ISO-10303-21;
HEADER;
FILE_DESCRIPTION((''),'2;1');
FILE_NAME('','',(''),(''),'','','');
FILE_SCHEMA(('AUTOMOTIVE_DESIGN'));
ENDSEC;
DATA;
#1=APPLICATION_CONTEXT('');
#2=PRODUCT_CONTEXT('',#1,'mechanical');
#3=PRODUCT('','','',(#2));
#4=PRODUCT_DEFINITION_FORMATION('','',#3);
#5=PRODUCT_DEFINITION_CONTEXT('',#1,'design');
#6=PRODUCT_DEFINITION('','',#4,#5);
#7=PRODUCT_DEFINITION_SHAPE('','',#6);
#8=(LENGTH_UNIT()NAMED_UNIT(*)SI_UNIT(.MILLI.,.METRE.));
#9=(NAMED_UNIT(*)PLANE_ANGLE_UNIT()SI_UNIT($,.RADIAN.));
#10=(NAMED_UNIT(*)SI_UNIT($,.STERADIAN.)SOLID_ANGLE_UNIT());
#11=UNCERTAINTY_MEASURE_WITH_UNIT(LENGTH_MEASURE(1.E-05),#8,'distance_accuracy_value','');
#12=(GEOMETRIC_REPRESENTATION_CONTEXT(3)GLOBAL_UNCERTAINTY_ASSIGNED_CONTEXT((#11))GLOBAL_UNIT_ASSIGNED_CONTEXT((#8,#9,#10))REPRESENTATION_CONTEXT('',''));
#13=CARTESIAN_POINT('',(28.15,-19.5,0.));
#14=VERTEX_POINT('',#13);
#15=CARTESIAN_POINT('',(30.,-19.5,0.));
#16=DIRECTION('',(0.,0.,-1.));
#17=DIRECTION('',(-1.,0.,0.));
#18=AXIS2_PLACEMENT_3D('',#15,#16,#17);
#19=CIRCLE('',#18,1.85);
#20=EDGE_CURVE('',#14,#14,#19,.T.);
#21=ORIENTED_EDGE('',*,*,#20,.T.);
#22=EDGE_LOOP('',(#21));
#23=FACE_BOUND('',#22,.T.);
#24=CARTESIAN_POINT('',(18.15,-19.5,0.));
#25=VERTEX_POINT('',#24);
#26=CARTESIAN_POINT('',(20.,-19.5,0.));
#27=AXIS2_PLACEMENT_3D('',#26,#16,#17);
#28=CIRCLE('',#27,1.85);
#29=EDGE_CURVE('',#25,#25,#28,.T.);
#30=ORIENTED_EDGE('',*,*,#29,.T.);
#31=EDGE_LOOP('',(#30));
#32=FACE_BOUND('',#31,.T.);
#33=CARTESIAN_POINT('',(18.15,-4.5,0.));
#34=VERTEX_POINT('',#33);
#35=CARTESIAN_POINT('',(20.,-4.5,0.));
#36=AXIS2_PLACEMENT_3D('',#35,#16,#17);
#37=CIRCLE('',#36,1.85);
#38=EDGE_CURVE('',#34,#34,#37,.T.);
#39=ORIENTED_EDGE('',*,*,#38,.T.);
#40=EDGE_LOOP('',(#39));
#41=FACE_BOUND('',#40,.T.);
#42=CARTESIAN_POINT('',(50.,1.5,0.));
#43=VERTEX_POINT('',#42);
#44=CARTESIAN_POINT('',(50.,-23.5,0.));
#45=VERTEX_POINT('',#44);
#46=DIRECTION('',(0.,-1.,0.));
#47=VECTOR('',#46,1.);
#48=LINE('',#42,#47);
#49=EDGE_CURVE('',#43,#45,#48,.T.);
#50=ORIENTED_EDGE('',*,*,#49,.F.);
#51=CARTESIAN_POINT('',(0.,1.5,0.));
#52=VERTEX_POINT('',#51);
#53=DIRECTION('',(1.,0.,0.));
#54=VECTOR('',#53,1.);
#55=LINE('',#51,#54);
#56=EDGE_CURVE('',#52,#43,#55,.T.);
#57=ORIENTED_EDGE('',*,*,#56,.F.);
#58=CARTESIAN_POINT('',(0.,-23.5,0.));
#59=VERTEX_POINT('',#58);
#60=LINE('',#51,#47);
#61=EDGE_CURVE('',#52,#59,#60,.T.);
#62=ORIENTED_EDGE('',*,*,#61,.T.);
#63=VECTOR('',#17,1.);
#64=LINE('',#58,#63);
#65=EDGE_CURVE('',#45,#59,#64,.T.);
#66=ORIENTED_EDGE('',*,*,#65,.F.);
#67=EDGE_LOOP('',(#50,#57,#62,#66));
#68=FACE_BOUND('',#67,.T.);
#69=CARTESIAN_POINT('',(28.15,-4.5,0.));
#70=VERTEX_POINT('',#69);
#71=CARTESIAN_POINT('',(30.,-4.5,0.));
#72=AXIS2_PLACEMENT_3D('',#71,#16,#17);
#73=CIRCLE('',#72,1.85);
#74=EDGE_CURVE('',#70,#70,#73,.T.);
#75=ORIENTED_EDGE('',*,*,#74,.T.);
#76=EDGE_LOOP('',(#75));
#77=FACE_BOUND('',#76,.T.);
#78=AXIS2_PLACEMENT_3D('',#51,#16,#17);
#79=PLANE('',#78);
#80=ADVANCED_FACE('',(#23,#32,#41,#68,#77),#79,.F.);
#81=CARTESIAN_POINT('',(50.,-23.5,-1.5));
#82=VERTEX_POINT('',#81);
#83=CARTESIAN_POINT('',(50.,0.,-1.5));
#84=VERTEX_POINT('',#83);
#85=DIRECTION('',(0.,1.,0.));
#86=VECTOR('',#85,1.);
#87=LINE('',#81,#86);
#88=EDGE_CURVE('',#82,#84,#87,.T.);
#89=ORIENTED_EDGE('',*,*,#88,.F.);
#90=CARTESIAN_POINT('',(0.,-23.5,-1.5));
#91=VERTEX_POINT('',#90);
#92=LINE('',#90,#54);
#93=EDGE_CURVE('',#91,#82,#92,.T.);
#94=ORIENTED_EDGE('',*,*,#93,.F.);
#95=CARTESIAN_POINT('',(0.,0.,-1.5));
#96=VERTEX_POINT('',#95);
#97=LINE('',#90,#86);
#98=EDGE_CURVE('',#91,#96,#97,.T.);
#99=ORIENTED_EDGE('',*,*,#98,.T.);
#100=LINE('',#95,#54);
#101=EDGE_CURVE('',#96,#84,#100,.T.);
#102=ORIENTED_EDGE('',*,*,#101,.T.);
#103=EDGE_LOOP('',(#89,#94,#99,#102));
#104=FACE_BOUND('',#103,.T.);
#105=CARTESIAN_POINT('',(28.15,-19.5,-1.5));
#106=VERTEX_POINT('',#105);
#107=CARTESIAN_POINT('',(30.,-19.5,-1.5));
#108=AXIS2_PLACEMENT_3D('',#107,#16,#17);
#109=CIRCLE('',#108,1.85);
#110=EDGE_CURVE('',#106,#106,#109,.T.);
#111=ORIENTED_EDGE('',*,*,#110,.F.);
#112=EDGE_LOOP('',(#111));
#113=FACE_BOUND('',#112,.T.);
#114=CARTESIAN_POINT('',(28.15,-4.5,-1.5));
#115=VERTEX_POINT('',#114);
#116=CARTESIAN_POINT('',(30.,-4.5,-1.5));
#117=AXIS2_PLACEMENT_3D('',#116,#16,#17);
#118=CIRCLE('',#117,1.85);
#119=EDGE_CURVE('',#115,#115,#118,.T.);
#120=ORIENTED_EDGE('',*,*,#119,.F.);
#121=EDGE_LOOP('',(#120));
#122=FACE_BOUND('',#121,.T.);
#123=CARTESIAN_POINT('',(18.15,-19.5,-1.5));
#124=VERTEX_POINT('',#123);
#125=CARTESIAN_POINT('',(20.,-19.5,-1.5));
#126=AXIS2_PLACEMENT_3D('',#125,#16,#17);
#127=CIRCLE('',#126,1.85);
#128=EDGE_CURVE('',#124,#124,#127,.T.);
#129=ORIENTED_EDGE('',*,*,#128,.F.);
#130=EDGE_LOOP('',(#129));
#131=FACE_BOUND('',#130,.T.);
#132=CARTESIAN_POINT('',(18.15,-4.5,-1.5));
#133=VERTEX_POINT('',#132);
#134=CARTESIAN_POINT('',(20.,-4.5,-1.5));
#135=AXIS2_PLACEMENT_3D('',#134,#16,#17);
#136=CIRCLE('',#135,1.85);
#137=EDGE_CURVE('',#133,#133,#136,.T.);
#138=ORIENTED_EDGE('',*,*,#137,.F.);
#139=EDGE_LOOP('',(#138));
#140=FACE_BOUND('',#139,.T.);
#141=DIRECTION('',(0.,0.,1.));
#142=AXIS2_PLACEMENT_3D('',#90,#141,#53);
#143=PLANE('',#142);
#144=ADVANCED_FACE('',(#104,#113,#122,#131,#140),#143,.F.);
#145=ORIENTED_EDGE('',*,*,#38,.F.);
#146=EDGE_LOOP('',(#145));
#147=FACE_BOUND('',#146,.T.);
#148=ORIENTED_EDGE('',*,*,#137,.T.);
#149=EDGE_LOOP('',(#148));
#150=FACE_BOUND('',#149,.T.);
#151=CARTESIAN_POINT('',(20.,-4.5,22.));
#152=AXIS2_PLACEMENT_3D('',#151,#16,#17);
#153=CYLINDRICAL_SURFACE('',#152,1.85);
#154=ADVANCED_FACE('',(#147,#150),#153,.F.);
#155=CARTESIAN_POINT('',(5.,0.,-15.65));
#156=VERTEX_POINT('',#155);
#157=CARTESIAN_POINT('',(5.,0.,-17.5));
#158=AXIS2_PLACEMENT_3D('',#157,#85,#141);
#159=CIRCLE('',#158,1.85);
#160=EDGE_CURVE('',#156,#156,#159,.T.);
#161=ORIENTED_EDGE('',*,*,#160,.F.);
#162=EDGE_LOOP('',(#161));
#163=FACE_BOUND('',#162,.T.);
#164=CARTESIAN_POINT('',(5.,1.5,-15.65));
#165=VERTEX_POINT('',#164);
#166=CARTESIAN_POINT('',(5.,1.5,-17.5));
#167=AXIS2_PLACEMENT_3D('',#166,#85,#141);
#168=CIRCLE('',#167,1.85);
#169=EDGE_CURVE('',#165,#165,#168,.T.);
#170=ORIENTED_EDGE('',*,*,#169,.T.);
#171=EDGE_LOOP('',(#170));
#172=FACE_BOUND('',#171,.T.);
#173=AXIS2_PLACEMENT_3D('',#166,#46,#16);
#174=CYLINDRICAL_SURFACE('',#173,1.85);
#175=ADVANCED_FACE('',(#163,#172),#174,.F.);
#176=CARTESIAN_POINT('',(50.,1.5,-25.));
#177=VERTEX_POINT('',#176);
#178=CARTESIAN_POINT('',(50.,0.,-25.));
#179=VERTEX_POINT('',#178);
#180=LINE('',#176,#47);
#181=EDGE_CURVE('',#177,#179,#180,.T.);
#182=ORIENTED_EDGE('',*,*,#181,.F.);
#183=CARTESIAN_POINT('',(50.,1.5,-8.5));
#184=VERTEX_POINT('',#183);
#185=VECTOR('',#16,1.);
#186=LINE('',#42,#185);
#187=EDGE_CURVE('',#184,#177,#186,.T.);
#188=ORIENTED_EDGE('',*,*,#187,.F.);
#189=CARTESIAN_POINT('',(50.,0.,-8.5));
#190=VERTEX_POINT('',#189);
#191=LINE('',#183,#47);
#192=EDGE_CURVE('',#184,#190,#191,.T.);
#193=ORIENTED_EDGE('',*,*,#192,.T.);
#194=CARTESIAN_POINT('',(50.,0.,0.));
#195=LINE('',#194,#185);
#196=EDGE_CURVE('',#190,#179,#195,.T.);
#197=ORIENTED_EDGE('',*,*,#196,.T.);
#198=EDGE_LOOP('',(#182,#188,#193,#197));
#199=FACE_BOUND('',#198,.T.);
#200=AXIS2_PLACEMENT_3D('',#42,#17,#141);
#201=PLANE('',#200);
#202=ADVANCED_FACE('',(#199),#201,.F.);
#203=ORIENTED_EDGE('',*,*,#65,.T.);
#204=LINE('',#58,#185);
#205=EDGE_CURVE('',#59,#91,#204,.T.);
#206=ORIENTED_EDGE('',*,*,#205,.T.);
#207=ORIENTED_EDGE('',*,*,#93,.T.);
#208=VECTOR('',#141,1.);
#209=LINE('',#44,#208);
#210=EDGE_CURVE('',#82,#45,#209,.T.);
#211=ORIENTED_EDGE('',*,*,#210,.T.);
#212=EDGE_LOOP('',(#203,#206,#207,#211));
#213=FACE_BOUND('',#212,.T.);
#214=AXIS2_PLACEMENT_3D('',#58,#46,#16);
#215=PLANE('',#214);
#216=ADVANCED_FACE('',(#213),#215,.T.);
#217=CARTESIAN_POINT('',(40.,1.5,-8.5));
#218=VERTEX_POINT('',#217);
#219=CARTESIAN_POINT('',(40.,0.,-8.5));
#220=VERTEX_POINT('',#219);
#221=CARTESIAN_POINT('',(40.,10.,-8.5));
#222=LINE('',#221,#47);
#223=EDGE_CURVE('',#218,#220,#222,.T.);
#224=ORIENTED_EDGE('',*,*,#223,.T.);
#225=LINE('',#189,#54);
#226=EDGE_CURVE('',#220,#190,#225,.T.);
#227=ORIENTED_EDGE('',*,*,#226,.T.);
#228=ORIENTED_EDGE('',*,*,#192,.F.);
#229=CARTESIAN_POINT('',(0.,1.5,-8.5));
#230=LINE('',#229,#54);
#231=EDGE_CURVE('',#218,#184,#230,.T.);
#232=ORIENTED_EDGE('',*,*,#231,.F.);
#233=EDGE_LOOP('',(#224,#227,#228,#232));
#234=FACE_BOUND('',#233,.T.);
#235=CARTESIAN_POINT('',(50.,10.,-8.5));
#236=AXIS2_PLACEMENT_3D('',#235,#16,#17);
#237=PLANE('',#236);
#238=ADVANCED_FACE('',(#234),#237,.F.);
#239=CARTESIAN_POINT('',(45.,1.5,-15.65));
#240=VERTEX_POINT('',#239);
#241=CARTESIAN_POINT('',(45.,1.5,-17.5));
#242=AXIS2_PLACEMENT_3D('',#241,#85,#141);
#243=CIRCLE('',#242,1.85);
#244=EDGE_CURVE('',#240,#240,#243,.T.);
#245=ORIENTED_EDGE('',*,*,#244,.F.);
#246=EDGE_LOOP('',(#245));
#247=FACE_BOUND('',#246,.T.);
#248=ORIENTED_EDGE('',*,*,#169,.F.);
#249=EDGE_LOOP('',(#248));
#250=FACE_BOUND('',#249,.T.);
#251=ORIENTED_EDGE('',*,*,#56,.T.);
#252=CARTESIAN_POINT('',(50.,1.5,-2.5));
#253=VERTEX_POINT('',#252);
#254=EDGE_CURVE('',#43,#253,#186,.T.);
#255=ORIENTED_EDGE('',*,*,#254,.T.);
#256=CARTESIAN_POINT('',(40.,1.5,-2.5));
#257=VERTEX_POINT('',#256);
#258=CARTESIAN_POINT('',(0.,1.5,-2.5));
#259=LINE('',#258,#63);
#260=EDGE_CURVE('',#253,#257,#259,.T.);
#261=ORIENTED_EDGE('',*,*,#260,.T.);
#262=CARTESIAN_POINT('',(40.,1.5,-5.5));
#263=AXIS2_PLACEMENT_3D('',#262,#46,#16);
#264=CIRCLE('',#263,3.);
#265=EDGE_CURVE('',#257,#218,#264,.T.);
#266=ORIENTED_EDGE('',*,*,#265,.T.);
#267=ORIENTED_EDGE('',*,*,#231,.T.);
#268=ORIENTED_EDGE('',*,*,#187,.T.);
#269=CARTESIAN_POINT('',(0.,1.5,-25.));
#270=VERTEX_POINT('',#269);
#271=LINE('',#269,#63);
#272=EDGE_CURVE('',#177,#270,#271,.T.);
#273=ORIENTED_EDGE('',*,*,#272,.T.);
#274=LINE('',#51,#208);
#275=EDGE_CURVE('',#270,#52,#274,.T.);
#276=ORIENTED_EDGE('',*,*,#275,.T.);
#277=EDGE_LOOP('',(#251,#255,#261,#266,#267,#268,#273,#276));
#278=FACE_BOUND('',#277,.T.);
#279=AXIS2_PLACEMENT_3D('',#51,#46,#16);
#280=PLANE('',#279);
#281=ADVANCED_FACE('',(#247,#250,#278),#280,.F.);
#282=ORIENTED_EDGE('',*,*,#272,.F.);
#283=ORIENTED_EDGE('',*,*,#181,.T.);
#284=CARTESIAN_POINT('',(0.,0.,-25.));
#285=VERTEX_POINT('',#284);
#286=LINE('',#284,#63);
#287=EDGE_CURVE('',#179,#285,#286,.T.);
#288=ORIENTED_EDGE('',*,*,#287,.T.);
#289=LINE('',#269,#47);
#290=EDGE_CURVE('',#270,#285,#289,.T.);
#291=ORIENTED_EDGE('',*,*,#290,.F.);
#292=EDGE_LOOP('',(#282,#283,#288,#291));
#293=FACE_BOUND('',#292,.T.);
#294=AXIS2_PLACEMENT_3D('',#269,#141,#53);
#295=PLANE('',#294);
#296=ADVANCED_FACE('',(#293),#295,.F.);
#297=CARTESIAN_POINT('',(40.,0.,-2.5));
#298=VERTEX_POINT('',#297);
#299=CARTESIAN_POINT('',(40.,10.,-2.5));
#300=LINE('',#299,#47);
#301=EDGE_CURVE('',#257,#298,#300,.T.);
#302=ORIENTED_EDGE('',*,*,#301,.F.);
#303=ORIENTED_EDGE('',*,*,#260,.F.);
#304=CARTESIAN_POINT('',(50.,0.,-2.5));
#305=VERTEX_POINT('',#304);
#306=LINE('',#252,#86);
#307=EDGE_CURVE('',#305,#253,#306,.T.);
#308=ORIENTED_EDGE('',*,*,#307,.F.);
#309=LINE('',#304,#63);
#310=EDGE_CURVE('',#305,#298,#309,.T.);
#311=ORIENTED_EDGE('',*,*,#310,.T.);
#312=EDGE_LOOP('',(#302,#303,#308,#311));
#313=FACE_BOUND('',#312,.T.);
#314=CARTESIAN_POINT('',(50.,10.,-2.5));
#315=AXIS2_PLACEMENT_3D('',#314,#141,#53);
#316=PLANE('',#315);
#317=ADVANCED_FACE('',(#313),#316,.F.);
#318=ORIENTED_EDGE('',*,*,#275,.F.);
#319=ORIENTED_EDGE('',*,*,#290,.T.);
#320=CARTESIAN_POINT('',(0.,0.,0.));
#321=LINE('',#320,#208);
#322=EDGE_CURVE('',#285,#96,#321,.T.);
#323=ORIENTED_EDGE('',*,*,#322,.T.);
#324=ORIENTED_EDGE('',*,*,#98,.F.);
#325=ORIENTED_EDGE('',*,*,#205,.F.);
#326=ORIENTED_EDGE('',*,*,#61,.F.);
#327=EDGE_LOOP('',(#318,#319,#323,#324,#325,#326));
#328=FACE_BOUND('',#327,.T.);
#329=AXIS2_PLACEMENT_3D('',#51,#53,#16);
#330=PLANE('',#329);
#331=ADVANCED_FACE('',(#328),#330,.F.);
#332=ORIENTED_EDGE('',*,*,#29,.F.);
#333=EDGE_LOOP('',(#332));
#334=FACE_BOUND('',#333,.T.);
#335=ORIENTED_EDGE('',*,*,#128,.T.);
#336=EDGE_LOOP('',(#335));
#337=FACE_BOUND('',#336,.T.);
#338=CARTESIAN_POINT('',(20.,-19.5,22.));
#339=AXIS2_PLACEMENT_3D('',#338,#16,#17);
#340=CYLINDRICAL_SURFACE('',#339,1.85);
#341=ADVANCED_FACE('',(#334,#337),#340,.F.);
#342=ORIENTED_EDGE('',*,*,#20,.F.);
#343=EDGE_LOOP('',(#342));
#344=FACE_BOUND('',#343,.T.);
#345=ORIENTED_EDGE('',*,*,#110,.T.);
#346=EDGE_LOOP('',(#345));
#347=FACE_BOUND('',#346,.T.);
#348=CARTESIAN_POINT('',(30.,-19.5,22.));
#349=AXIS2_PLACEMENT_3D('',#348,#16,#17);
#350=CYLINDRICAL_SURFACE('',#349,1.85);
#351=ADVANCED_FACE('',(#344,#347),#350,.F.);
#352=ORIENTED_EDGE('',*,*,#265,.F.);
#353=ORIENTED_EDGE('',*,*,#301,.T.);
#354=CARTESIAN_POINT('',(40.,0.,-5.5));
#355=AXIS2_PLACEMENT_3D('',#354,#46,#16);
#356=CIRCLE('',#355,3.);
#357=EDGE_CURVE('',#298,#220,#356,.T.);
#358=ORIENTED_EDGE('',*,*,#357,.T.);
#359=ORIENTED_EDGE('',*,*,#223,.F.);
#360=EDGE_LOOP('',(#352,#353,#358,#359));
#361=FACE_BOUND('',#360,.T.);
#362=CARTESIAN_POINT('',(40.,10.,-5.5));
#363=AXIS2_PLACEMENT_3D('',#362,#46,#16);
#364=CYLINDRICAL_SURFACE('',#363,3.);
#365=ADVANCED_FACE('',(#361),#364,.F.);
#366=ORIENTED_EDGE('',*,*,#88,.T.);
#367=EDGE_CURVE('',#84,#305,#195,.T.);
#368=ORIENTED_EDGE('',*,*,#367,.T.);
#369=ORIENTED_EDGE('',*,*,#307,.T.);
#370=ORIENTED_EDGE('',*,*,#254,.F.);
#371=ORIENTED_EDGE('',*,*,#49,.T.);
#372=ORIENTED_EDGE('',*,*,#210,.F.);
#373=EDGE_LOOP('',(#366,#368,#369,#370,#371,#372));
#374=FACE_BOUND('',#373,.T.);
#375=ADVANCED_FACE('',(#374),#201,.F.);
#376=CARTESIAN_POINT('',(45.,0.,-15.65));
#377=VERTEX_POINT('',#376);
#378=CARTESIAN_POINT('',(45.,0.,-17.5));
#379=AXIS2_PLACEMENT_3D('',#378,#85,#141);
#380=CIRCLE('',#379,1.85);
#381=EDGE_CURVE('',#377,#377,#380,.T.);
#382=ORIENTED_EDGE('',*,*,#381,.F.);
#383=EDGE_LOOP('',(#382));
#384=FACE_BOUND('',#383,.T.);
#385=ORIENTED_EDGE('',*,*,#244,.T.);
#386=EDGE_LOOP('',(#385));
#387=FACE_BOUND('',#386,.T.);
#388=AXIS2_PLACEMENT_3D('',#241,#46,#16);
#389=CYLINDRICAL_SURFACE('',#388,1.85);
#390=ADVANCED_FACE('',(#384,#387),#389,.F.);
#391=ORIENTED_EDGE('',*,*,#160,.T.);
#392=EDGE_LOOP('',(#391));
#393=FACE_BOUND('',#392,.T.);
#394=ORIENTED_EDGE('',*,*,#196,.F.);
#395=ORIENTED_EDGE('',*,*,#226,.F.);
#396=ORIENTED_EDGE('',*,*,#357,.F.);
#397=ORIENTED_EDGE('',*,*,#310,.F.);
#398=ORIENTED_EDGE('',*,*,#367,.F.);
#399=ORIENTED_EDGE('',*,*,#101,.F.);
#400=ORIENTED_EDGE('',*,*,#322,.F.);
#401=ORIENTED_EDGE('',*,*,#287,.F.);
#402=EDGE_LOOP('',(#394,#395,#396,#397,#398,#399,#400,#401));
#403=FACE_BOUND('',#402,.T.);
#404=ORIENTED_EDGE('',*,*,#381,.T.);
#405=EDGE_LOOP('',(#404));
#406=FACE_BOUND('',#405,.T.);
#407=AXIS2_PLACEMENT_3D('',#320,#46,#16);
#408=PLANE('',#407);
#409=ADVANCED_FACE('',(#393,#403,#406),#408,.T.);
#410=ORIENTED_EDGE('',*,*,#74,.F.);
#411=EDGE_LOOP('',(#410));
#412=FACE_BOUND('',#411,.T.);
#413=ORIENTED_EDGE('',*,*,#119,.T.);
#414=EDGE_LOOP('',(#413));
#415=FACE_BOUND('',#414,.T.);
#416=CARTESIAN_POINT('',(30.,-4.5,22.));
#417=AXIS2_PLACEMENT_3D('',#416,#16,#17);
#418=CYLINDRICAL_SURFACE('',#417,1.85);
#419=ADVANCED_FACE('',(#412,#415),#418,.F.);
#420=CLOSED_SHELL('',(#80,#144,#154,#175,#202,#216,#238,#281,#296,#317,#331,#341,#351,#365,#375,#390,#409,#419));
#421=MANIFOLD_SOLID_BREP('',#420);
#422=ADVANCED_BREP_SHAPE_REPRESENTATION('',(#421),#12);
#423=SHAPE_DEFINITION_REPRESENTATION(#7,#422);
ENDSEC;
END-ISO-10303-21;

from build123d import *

# Parameters (mm, degrees)
SKETCH1_W           = 50
SKETCH1_H           = 25
SKETCH1_R           = 1.85
BOSS_EXTRUDE1_DEPTH = 1.5
SKETCH2_W           = 50
SKETCH2_H           = 1.5
BOSS_EXTRUDE2_DEPTH = 23.5
SKETCH3_R           = 1.85
CUT_EXTRUDE1_DEPTH  = 23.5
CUT_EXTRUDE2_DEPTH  = 10


with BuildPart() as part:
    # Sketch1 → Boss-Extrude1 (new body)
    with BuildSketch(Plane(origin=(0, 0, 0), x_dir=(1, 0, 0), z_dir=(0, 1, 0))):
        with Locations((25, 12.5)):
            Rectangle(SKETCH1_W, SKETCH1_H)
        with Locations((5, 17.5)):
            Circle(SKETCH1_R, mode=Mode.SUBTRACT)
        with Locations((45, 17.5)):
            Circle(SKETCH1_R, mode=Mode.SUBTRACT)
    extrude(amount=BOSS_EXTRUDE1_DEPTH)

    # Sketch2 → Boss-Extrude2 (add)
    with BuildSketch(Plane.XZ):
        with Locations((25, -0.75)):
            Rectangle(SKETCH2_W, SKETCH2_H)
    extrude(amount=BOSS_EXTRUDE2_DEPTH)

    # Sketch3 → Cut-Extrude1 (cut)
    with BuildSketch(Plane(origin=(0, 0, -1.5), x_dir=(-1, 0, 0), z_dir=(0, 0, -1))):
        with Locations((-20, -19.5)):
            Circle(SKETCH3_R)
        with Locations((-30, -19.5)):
            Circle(SKETCH3_R)
        with Locations((-20, -4.5)):
            Circle(SKETCH3_R)
        with Locations((-30, -4.5)):
            Circle(SKETCH3_R)
    extrude(amount=-CUT_EXTRUDE1_DEPTH, mode=Mode.SUBTRACT)

    # Sketch4 → Cut-Extrude2 (cut)
    with BuildSketch(Plane.XZ):
        with BuildLine():
            Line((50, -8.5), (40, -8.5))
            ThreePointArc((40, -8.5), (37, -5.5), (40, -2.5))
            Line((40, -2.5), (50, -2.5))
            ThreePointArc((50, -2.5), (53, -5.5), (50, -8.5))
        make_face()
    extrude(amount=-CUT_EXTRUDE2_DEPTH, mode=Mode.SUBTRACT)


solid = part.part
